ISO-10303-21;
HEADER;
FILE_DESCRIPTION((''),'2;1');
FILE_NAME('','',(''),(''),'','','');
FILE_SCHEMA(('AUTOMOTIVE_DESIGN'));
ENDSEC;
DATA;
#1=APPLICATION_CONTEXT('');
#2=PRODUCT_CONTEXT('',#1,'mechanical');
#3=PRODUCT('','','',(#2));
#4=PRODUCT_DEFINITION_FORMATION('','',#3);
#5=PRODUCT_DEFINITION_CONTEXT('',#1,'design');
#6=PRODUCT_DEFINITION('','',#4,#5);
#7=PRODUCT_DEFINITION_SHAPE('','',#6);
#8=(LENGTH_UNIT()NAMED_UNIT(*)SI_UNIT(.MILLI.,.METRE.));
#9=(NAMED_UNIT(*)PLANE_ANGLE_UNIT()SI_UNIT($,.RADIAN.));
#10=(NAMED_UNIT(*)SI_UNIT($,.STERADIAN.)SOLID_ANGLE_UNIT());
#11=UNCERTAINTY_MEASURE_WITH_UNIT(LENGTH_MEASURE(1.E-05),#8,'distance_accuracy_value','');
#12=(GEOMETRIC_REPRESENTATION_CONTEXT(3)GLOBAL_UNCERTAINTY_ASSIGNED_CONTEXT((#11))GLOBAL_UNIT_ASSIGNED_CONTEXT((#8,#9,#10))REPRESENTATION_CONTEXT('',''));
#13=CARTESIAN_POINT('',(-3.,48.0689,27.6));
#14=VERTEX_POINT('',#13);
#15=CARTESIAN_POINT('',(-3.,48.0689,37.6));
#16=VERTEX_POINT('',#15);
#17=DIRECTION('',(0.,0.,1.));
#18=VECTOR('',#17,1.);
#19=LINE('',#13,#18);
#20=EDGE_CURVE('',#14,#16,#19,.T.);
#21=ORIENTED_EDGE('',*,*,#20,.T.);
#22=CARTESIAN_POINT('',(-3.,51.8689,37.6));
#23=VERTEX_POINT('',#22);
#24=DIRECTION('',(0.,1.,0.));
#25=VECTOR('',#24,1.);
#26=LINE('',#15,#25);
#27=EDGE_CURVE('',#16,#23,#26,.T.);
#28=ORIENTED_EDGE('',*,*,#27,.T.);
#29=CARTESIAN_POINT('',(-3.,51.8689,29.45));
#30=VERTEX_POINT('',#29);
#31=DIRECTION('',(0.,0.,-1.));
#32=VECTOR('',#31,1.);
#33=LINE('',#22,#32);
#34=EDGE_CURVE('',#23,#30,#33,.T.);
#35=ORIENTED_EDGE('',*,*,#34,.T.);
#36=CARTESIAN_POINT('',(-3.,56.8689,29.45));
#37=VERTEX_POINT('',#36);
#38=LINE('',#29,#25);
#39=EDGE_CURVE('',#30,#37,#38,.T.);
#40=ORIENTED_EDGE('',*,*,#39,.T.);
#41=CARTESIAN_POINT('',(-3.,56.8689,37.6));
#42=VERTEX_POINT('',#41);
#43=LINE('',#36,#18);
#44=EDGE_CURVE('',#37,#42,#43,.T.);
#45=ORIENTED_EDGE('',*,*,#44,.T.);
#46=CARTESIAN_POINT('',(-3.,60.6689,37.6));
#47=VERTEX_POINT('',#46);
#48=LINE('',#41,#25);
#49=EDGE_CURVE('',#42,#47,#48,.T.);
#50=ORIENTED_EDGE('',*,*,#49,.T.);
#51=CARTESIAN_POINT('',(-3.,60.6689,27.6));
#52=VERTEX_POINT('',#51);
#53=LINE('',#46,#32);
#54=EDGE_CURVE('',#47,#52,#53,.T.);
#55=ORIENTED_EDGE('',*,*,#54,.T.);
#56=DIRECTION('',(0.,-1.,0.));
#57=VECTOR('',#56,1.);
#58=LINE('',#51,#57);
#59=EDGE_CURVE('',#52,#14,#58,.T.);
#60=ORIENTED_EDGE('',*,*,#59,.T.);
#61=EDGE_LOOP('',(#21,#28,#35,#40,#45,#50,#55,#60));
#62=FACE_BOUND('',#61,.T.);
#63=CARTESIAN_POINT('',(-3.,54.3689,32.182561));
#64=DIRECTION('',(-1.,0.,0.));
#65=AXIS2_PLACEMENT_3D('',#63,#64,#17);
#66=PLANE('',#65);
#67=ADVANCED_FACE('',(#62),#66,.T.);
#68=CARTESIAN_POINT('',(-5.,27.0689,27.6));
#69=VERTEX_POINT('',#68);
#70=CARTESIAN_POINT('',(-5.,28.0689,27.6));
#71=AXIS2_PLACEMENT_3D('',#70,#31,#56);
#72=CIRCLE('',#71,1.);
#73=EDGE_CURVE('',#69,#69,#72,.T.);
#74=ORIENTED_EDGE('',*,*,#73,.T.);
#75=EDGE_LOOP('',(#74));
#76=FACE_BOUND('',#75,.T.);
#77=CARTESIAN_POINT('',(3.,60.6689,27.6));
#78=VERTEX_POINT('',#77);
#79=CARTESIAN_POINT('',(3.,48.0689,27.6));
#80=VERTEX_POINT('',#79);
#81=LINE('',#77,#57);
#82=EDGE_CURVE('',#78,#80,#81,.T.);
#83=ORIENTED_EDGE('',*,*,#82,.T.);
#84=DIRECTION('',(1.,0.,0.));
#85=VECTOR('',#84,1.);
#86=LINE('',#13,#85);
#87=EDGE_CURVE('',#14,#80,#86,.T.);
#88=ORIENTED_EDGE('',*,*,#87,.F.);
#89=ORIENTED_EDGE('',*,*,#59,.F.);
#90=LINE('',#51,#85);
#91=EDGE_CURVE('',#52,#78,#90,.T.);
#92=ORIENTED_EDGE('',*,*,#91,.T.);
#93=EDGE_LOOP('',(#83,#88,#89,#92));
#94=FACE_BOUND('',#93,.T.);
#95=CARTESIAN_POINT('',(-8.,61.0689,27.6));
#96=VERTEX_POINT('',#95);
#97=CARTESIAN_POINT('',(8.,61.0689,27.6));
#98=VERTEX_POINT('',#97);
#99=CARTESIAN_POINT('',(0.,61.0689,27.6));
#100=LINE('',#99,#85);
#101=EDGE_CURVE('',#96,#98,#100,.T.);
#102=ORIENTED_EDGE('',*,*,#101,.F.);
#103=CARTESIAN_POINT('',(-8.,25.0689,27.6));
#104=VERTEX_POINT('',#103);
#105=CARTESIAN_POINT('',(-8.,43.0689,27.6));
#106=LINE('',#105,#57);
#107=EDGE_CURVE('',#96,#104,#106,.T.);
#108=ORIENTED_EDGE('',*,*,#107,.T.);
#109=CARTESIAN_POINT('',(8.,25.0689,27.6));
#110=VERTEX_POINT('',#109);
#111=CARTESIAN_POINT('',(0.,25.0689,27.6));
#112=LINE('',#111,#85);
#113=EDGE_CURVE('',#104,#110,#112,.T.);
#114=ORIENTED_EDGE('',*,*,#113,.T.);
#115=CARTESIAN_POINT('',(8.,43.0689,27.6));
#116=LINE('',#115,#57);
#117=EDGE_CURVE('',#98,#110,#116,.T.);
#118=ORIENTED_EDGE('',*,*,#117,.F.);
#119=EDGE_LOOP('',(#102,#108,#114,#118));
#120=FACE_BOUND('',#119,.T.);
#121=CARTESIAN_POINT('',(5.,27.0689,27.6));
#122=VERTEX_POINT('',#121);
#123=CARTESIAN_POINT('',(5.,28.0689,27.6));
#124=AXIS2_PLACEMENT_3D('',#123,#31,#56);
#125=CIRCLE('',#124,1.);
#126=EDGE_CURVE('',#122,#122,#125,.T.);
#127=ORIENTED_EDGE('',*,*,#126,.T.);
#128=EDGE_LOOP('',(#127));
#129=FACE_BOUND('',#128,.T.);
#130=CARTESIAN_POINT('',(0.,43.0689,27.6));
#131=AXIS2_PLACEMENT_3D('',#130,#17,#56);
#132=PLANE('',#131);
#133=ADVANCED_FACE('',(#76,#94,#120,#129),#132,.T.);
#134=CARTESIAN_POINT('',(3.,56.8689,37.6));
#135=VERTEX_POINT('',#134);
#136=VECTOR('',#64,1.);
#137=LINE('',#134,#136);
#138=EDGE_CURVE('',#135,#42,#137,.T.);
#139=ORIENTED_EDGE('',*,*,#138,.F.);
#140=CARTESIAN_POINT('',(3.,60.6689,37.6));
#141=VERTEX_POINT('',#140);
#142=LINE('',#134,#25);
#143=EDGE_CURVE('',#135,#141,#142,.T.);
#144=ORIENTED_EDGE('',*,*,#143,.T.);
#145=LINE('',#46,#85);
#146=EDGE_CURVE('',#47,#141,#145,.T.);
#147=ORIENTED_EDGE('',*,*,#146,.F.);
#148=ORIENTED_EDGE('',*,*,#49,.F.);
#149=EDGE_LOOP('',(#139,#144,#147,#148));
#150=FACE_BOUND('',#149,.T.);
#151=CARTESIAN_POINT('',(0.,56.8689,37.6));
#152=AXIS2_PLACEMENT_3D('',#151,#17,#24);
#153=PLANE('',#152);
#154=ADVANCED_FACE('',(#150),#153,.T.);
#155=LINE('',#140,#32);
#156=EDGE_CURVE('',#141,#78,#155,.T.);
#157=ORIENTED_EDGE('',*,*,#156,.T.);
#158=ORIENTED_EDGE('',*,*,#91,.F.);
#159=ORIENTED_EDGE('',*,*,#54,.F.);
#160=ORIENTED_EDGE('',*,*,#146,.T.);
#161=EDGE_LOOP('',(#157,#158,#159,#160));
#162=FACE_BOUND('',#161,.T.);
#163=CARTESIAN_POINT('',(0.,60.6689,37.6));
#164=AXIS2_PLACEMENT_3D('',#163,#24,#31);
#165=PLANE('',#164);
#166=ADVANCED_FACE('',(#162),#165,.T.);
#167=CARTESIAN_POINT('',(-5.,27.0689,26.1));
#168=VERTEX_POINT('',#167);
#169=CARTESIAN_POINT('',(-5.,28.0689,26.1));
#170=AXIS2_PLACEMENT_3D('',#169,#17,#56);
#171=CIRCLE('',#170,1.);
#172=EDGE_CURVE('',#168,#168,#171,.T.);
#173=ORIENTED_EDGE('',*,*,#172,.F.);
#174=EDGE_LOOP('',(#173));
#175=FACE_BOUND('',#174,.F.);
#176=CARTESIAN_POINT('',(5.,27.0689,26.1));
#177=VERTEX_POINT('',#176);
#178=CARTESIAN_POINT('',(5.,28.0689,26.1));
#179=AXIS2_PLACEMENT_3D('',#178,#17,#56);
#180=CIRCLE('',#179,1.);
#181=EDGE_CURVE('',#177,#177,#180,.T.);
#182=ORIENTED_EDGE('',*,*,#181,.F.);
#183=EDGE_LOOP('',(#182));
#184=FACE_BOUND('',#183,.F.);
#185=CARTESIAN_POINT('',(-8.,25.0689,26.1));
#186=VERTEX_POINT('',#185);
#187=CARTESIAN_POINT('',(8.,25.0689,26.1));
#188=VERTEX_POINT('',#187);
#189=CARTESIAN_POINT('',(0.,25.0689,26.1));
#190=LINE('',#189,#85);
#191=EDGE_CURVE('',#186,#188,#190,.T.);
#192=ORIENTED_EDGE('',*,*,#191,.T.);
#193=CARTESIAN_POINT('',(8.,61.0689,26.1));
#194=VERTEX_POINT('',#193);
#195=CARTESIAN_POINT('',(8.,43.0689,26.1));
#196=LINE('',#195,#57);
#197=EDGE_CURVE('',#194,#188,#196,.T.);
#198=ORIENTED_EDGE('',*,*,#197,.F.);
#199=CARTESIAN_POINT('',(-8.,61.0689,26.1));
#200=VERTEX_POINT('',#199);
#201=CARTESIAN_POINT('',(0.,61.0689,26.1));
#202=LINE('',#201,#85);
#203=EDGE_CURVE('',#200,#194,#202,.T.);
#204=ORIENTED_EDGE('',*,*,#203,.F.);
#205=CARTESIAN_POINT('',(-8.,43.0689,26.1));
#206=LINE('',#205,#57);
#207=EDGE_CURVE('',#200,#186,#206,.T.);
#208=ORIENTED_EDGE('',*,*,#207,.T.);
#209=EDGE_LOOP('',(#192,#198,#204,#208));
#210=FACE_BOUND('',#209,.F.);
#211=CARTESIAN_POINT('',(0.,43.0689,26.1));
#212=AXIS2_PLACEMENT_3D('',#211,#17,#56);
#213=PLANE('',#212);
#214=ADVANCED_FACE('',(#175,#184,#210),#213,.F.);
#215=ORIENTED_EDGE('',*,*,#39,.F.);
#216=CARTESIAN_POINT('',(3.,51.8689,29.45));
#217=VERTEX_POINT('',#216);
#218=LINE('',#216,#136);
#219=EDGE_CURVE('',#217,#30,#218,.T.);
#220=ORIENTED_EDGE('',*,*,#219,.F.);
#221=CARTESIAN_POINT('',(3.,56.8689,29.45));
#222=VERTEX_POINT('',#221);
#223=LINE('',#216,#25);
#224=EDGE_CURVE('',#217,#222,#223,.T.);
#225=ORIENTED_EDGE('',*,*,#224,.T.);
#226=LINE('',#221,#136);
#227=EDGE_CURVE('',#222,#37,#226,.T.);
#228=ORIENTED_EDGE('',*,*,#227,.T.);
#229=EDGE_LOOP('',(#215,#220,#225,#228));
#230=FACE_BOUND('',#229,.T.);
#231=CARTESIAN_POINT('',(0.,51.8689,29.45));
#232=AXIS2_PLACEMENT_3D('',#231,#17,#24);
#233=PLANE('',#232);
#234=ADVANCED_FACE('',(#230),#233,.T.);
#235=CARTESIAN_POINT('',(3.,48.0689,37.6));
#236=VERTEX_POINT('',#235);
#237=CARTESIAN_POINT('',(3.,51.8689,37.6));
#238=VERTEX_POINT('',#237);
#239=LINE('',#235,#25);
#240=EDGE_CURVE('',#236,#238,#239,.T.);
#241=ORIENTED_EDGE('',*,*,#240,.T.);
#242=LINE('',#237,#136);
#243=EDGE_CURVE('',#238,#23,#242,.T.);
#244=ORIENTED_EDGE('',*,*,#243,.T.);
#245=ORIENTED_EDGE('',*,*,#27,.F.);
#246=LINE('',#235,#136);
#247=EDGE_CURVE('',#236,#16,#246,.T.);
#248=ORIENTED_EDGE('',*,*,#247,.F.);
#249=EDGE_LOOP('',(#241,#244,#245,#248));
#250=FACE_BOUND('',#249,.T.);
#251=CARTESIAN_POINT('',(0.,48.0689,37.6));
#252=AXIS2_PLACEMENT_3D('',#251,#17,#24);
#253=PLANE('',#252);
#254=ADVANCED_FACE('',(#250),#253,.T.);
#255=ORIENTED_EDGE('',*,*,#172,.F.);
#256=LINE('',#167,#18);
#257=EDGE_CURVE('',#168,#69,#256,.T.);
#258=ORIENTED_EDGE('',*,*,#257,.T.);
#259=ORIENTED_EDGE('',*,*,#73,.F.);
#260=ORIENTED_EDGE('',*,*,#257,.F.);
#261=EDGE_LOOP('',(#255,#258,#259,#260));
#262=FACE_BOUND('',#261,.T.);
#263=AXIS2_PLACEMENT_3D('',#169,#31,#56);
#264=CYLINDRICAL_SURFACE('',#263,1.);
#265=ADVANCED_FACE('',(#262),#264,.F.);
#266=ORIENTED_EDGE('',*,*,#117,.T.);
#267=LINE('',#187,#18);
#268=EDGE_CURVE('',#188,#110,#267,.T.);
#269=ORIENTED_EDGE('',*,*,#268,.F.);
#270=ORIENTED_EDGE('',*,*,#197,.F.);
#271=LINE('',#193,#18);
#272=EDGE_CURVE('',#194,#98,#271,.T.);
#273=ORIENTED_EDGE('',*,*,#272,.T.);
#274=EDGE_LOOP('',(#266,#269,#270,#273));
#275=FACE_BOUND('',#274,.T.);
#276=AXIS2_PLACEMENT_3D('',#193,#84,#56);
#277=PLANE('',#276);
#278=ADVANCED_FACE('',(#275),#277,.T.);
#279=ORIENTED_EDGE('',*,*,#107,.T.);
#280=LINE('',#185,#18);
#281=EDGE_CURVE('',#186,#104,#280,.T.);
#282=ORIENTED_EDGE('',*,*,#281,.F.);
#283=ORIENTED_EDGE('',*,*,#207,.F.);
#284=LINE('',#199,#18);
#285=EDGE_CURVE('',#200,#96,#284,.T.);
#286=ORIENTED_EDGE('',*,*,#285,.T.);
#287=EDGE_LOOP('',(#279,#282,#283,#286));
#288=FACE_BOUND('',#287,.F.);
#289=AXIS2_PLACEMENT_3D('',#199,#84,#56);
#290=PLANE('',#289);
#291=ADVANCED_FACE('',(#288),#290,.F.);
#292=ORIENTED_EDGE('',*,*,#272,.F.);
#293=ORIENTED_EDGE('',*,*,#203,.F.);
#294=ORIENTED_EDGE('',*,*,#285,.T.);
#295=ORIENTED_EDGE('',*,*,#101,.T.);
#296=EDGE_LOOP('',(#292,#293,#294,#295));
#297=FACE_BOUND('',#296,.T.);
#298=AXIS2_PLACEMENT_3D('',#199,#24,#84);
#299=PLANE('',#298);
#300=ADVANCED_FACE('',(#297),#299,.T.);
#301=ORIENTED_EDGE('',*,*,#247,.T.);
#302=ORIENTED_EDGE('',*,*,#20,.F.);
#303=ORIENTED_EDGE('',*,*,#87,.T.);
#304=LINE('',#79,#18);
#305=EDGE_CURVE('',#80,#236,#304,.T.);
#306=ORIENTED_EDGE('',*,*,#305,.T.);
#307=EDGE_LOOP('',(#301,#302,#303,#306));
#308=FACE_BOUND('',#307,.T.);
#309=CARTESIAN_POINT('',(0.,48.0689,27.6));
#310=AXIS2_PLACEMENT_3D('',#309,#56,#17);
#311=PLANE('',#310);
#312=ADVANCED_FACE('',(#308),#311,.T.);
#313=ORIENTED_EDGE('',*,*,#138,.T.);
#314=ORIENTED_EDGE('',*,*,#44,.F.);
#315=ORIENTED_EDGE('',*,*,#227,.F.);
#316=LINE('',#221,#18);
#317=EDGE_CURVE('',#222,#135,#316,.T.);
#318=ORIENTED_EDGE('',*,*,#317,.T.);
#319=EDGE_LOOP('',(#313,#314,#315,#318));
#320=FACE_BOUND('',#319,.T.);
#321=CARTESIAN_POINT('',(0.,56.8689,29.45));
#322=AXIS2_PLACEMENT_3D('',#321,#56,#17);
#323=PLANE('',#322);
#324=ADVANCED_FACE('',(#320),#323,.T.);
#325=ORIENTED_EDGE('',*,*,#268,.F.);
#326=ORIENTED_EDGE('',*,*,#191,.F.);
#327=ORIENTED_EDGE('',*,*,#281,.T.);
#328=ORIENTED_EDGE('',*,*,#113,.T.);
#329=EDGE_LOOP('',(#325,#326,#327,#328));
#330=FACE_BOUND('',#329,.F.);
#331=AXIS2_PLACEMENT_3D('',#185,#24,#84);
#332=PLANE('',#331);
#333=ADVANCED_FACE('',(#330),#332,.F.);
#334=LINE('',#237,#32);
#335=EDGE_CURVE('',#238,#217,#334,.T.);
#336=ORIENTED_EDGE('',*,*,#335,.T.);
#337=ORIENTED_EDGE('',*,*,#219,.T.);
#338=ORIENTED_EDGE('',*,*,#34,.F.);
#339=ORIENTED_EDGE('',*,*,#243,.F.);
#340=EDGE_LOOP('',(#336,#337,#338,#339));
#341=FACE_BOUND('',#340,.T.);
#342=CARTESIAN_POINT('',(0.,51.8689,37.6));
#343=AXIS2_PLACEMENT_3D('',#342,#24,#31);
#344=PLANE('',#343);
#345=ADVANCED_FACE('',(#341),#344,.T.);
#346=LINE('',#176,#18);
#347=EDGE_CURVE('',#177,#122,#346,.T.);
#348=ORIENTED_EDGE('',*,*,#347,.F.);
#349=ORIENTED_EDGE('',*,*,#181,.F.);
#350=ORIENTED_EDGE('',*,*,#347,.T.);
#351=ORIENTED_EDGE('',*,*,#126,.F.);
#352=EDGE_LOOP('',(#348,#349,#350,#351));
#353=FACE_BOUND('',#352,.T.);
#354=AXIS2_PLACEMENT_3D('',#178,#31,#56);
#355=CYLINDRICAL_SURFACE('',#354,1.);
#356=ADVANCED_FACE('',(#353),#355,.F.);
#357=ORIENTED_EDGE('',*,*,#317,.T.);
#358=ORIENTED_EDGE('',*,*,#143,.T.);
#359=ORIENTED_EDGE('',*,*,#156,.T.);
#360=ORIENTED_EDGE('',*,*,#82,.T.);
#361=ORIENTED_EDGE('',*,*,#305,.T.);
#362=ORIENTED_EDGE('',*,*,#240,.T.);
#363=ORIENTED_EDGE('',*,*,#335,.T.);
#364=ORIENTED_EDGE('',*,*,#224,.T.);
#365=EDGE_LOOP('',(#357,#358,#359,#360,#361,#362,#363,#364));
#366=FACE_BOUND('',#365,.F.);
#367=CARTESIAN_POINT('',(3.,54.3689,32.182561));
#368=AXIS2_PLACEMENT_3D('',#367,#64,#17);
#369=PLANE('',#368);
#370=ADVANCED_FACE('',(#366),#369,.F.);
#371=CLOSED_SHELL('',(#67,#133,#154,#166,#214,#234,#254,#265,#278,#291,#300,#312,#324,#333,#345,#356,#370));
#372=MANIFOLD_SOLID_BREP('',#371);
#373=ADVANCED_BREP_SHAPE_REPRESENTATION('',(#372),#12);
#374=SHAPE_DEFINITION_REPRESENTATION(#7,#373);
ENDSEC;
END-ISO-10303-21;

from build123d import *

# Parameters (mm, degrees)
CYLINDER1054_R           = 1
CYLINDER1054_DEPTH       = 5
CYLINDER1055_R           = 1
CYLINDER1055_DEPTH       = 5
BOX258_W                 = 36
BOX258_H                 = 16
BOX258_DEPTH             = 1.5
PAD042_DEPTH             = 3
CLONE020_PLACEMENT_ANGLE = -90


with BuildPart() as cylinder1062:
    # Cylinder1054 → Cylinder1054 (new body)
    with BuildSketch(Plane(origin=(33, 3, 0), x_dir=(1, 0, 0), z_dir=(0, 0, 1))):
        Circle(CYLINDER1054_R)
    extrude(amount=CYLINDER1054_DEPTH)


with BuildPart() as fusion151:
    # Cylinder1055 → Cylinder1055 (new body)
    with BuildSketch(Plane(origin=(33, 13, 0), x_dir=(1, 0, 0), z_dir=(0, 0, 1))):
        Circle(CYLINDER1055_R)
    extrude(amount=CYLINDER1055_DEPTH)

    # Fusion151: union Cylinder1062
    add(cylinder1062.part)


with BuildPart() as cut:
    # Box258 → Box258 (new body)
    with BuildSketch(Plane.XY):
        with Locations((18, 8)):
            Rectangle(BOX258_W, BOX258_H)
    extrude(amount=BOX258_DEPTH)

    # Cut: cut Fusion151
    add(fusion151.part, mode=Mode.SUBTRACT)


with BuildPart() as clone_of_optopcba:
    # Sketch067 → Pad042 (new body, symmetric)
    with BuildSketch(Plane(origin=(13, 8, 1.5), x_dir=(0, 0, 1), z_dir=(0, -1, 0))):
        Polygon((0, 0), (10, 0), (10, 3.8), (1.85, 3.8), (1.85, 8.8), (10, 8.8), (10, 12.6), (0, 12.6), align=None)
    extrude(amount=PAD042_DEPTH, both=True)

    # Fusion152: union Cut
    add(cut.part)


with BuildPart() as clone_of_optopcba_1:
    # Clone020 placement: moved
    add(clone_of_optopcba.part.moved(Location((-8, 61.0689, 26.1))).rotate(Axis((-8, 61.0689, 26.1), (0, 0, 1)), CLONE020_PLACEMENT_ANGLE))


solid = clone_of_optopcba_1.part
